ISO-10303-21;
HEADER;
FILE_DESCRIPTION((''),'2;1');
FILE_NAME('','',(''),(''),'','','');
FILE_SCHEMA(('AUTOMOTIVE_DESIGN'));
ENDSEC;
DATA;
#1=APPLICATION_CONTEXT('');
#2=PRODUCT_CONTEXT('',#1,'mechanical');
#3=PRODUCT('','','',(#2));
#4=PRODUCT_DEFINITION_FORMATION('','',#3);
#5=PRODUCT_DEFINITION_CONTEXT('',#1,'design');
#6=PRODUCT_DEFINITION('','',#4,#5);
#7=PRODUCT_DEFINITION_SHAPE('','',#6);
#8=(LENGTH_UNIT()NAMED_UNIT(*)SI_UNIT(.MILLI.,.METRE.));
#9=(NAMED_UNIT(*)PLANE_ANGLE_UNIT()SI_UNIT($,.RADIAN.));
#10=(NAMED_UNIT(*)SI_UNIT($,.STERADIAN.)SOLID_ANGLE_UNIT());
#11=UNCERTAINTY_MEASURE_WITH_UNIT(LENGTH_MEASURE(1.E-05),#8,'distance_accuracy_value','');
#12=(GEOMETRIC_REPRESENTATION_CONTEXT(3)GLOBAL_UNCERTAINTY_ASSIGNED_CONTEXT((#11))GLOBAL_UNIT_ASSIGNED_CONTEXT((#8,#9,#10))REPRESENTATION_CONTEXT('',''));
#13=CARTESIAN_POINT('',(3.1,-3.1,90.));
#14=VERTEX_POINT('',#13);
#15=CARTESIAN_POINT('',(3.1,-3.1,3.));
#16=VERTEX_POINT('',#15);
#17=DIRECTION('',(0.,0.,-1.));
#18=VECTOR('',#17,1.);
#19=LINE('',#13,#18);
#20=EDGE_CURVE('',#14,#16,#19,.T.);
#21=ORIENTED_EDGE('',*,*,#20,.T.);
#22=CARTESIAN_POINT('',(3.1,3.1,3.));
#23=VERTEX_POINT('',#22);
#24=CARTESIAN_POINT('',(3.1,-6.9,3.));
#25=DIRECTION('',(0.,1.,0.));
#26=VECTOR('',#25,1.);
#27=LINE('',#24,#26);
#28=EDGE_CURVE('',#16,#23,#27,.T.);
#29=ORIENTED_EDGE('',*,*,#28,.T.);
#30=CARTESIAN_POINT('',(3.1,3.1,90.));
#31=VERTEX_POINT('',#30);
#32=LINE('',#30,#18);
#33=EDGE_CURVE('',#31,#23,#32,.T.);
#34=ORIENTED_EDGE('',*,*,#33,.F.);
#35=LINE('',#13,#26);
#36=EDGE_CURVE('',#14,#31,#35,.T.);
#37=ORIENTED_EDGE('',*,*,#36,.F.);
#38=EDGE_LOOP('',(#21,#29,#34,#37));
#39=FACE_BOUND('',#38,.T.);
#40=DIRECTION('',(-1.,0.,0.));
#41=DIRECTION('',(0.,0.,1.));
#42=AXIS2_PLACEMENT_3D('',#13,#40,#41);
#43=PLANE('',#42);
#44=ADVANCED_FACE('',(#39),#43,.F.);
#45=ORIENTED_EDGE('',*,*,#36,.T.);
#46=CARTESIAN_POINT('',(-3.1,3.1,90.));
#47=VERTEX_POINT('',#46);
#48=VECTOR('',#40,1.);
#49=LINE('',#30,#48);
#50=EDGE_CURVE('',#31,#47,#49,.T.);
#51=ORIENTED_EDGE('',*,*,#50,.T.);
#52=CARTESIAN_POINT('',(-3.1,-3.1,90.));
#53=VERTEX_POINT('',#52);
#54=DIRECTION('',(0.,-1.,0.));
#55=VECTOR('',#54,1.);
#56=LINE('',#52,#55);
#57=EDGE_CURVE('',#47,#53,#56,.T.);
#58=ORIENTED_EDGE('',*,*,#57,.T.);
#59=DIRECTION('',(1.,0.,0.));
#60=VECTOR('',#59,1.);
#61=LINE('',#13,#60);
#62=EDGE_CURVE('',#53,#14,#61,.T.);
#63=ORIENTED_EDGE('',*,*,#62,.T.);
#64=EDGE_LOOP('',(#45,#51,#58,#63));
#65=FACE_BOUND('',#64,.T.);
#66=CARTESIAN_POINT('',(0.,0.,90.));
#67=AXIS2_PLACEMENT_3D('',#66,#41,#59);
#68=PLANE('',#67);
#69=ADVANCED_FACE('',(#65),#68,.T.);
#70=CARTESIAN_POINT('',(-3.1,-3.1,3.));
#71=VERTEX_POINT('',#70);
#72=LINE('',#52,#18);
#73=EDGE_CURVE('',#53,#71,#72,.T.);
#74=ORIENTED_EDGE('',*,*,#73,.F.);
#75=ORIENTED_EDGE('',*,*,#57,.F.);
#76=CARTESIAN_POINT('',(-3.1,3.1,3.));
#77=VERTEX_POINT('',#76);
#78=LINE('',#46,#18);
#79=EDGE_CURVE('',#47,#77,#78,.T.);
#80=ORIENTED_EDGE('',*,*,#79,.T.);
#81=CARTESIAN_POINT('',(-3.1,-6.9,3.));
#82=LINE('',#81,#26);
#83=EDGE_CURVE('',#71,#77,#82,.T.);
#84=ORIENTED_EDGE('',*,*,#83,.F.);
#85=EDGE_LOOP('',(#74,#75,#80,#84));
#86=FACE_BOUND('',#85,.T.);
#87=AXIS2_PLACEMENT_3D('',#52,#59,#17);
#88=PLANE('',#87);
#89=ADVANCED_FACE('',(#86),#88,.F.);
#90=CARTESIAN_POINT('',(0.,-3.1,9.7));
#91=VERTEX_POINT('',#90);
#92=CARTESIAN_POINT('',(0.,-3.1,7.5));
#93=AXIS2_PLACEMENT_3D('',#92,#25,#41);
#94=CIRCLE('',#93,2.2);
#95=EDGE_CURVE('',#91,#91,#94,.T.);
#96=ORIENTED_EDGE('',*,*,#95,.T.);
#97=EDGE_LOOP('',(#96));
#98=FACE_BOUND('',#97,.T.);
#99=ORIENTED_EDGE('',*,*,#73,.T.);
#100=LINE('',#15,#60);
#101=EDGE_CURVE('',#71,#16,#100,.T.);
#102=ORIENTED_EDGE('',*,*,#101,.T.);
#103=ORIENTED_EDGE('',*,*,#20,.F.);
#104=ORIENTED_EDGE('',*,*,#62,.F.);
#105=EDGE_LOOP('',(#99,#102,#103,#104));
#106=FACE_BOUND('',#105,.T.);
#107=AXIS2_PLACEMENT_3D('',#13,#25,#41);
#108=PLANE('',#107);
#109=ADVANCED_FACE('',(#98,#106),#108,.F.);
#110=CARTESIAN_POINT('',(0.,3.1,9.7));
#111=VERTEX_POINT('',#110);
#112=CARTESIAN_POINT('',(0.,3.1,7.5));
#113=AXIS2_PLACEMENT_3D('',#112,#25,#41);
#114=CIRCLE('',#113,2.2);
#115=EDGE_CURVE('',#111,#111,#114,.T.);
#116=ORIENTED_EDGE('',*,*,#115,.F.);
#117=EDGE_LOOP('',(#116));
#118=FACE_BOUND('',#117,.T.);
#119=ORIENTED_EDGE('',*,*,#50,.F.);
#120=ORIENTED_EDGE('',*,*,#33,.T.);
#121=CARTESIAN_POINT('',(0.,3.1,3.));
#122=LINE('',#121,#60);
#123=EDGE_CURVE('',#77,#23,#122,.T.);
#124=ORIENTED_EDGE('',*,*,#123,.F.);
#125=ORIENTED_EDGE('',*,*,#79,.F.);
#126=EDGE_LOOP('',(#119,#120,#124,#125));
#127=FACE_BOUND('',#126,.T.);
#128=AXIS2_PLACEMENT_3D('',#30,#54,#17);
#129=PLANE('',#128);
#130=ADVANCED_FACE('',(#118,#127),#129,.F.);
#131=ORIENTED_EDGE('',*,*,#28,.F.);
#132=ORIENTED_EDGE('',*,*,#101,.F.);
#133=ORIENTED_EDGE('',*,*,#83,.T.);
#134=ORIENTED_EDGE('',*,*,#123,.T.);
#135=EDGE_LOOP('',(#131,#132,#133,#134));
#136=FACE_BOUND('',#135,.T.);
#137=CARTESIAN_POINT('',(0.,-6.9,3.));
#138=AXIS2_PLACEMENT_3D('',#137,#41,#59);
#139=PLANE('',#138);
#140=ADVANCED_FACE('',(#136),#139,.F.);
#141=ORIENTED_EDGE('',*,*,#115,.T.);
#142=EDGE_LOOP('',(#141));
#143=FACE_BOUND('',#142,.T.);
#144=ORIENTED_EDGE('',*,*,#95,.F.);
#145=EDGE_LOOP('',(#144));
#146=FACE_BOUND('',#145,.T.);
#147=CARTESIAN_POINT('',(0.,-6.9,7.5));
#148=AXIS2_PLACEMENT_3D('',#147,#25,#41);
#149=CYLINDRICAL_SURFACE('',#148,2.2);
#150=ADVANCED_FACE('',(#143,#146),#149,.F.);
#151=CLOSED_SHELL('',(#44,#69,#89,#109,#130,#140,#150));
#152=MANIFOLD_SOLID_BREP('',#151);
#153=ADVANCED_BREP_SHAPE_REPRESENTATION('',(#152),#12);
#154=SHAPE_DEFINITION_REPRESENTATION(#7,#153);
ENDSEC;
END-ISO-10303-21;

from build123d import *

# Parameters (mm, degrees)
SKETCH1_W           = 6.2
SKETCH1_H           = 6.2
BOSS_EXTRUDE1_DEPTH = 90
SKETCH2_W           = 6.2
SKETCH2_H           = 3
SKETCH2_R           = 2.2
CUT_EXTRUDE1_DEPTH  = 10


with BuildPart() as part:
    # Sketch1 → Boss-Extrude1 (new body)
    with BuildSketch(Plane.XY):
        Rectangle(SKETCH1_W, SKETCH1_H)
    extrude(amount=BOSS_EXTRUDE1_DEPTH)

    # Sketch2 → Cut-Extrude1 (cut)
    with BuildSketch(Plane(origin=(0, 3.1, 0), x_dir=(1, 0, 0), z_dir=(0, 1, 0))):
        with Locations((0, -1.5)):
            Rectangle(SKETCH2_W, SKETCH2_H)
        with Locations(Location((0, -7.5, 0), (0, 0, 270))):
            Circle(SKETCH2_R)
    extrude(amount=-CUT_EXTRUDE1_DEPTH, mode=Mode.SUBTRACT)


solid = part.part
